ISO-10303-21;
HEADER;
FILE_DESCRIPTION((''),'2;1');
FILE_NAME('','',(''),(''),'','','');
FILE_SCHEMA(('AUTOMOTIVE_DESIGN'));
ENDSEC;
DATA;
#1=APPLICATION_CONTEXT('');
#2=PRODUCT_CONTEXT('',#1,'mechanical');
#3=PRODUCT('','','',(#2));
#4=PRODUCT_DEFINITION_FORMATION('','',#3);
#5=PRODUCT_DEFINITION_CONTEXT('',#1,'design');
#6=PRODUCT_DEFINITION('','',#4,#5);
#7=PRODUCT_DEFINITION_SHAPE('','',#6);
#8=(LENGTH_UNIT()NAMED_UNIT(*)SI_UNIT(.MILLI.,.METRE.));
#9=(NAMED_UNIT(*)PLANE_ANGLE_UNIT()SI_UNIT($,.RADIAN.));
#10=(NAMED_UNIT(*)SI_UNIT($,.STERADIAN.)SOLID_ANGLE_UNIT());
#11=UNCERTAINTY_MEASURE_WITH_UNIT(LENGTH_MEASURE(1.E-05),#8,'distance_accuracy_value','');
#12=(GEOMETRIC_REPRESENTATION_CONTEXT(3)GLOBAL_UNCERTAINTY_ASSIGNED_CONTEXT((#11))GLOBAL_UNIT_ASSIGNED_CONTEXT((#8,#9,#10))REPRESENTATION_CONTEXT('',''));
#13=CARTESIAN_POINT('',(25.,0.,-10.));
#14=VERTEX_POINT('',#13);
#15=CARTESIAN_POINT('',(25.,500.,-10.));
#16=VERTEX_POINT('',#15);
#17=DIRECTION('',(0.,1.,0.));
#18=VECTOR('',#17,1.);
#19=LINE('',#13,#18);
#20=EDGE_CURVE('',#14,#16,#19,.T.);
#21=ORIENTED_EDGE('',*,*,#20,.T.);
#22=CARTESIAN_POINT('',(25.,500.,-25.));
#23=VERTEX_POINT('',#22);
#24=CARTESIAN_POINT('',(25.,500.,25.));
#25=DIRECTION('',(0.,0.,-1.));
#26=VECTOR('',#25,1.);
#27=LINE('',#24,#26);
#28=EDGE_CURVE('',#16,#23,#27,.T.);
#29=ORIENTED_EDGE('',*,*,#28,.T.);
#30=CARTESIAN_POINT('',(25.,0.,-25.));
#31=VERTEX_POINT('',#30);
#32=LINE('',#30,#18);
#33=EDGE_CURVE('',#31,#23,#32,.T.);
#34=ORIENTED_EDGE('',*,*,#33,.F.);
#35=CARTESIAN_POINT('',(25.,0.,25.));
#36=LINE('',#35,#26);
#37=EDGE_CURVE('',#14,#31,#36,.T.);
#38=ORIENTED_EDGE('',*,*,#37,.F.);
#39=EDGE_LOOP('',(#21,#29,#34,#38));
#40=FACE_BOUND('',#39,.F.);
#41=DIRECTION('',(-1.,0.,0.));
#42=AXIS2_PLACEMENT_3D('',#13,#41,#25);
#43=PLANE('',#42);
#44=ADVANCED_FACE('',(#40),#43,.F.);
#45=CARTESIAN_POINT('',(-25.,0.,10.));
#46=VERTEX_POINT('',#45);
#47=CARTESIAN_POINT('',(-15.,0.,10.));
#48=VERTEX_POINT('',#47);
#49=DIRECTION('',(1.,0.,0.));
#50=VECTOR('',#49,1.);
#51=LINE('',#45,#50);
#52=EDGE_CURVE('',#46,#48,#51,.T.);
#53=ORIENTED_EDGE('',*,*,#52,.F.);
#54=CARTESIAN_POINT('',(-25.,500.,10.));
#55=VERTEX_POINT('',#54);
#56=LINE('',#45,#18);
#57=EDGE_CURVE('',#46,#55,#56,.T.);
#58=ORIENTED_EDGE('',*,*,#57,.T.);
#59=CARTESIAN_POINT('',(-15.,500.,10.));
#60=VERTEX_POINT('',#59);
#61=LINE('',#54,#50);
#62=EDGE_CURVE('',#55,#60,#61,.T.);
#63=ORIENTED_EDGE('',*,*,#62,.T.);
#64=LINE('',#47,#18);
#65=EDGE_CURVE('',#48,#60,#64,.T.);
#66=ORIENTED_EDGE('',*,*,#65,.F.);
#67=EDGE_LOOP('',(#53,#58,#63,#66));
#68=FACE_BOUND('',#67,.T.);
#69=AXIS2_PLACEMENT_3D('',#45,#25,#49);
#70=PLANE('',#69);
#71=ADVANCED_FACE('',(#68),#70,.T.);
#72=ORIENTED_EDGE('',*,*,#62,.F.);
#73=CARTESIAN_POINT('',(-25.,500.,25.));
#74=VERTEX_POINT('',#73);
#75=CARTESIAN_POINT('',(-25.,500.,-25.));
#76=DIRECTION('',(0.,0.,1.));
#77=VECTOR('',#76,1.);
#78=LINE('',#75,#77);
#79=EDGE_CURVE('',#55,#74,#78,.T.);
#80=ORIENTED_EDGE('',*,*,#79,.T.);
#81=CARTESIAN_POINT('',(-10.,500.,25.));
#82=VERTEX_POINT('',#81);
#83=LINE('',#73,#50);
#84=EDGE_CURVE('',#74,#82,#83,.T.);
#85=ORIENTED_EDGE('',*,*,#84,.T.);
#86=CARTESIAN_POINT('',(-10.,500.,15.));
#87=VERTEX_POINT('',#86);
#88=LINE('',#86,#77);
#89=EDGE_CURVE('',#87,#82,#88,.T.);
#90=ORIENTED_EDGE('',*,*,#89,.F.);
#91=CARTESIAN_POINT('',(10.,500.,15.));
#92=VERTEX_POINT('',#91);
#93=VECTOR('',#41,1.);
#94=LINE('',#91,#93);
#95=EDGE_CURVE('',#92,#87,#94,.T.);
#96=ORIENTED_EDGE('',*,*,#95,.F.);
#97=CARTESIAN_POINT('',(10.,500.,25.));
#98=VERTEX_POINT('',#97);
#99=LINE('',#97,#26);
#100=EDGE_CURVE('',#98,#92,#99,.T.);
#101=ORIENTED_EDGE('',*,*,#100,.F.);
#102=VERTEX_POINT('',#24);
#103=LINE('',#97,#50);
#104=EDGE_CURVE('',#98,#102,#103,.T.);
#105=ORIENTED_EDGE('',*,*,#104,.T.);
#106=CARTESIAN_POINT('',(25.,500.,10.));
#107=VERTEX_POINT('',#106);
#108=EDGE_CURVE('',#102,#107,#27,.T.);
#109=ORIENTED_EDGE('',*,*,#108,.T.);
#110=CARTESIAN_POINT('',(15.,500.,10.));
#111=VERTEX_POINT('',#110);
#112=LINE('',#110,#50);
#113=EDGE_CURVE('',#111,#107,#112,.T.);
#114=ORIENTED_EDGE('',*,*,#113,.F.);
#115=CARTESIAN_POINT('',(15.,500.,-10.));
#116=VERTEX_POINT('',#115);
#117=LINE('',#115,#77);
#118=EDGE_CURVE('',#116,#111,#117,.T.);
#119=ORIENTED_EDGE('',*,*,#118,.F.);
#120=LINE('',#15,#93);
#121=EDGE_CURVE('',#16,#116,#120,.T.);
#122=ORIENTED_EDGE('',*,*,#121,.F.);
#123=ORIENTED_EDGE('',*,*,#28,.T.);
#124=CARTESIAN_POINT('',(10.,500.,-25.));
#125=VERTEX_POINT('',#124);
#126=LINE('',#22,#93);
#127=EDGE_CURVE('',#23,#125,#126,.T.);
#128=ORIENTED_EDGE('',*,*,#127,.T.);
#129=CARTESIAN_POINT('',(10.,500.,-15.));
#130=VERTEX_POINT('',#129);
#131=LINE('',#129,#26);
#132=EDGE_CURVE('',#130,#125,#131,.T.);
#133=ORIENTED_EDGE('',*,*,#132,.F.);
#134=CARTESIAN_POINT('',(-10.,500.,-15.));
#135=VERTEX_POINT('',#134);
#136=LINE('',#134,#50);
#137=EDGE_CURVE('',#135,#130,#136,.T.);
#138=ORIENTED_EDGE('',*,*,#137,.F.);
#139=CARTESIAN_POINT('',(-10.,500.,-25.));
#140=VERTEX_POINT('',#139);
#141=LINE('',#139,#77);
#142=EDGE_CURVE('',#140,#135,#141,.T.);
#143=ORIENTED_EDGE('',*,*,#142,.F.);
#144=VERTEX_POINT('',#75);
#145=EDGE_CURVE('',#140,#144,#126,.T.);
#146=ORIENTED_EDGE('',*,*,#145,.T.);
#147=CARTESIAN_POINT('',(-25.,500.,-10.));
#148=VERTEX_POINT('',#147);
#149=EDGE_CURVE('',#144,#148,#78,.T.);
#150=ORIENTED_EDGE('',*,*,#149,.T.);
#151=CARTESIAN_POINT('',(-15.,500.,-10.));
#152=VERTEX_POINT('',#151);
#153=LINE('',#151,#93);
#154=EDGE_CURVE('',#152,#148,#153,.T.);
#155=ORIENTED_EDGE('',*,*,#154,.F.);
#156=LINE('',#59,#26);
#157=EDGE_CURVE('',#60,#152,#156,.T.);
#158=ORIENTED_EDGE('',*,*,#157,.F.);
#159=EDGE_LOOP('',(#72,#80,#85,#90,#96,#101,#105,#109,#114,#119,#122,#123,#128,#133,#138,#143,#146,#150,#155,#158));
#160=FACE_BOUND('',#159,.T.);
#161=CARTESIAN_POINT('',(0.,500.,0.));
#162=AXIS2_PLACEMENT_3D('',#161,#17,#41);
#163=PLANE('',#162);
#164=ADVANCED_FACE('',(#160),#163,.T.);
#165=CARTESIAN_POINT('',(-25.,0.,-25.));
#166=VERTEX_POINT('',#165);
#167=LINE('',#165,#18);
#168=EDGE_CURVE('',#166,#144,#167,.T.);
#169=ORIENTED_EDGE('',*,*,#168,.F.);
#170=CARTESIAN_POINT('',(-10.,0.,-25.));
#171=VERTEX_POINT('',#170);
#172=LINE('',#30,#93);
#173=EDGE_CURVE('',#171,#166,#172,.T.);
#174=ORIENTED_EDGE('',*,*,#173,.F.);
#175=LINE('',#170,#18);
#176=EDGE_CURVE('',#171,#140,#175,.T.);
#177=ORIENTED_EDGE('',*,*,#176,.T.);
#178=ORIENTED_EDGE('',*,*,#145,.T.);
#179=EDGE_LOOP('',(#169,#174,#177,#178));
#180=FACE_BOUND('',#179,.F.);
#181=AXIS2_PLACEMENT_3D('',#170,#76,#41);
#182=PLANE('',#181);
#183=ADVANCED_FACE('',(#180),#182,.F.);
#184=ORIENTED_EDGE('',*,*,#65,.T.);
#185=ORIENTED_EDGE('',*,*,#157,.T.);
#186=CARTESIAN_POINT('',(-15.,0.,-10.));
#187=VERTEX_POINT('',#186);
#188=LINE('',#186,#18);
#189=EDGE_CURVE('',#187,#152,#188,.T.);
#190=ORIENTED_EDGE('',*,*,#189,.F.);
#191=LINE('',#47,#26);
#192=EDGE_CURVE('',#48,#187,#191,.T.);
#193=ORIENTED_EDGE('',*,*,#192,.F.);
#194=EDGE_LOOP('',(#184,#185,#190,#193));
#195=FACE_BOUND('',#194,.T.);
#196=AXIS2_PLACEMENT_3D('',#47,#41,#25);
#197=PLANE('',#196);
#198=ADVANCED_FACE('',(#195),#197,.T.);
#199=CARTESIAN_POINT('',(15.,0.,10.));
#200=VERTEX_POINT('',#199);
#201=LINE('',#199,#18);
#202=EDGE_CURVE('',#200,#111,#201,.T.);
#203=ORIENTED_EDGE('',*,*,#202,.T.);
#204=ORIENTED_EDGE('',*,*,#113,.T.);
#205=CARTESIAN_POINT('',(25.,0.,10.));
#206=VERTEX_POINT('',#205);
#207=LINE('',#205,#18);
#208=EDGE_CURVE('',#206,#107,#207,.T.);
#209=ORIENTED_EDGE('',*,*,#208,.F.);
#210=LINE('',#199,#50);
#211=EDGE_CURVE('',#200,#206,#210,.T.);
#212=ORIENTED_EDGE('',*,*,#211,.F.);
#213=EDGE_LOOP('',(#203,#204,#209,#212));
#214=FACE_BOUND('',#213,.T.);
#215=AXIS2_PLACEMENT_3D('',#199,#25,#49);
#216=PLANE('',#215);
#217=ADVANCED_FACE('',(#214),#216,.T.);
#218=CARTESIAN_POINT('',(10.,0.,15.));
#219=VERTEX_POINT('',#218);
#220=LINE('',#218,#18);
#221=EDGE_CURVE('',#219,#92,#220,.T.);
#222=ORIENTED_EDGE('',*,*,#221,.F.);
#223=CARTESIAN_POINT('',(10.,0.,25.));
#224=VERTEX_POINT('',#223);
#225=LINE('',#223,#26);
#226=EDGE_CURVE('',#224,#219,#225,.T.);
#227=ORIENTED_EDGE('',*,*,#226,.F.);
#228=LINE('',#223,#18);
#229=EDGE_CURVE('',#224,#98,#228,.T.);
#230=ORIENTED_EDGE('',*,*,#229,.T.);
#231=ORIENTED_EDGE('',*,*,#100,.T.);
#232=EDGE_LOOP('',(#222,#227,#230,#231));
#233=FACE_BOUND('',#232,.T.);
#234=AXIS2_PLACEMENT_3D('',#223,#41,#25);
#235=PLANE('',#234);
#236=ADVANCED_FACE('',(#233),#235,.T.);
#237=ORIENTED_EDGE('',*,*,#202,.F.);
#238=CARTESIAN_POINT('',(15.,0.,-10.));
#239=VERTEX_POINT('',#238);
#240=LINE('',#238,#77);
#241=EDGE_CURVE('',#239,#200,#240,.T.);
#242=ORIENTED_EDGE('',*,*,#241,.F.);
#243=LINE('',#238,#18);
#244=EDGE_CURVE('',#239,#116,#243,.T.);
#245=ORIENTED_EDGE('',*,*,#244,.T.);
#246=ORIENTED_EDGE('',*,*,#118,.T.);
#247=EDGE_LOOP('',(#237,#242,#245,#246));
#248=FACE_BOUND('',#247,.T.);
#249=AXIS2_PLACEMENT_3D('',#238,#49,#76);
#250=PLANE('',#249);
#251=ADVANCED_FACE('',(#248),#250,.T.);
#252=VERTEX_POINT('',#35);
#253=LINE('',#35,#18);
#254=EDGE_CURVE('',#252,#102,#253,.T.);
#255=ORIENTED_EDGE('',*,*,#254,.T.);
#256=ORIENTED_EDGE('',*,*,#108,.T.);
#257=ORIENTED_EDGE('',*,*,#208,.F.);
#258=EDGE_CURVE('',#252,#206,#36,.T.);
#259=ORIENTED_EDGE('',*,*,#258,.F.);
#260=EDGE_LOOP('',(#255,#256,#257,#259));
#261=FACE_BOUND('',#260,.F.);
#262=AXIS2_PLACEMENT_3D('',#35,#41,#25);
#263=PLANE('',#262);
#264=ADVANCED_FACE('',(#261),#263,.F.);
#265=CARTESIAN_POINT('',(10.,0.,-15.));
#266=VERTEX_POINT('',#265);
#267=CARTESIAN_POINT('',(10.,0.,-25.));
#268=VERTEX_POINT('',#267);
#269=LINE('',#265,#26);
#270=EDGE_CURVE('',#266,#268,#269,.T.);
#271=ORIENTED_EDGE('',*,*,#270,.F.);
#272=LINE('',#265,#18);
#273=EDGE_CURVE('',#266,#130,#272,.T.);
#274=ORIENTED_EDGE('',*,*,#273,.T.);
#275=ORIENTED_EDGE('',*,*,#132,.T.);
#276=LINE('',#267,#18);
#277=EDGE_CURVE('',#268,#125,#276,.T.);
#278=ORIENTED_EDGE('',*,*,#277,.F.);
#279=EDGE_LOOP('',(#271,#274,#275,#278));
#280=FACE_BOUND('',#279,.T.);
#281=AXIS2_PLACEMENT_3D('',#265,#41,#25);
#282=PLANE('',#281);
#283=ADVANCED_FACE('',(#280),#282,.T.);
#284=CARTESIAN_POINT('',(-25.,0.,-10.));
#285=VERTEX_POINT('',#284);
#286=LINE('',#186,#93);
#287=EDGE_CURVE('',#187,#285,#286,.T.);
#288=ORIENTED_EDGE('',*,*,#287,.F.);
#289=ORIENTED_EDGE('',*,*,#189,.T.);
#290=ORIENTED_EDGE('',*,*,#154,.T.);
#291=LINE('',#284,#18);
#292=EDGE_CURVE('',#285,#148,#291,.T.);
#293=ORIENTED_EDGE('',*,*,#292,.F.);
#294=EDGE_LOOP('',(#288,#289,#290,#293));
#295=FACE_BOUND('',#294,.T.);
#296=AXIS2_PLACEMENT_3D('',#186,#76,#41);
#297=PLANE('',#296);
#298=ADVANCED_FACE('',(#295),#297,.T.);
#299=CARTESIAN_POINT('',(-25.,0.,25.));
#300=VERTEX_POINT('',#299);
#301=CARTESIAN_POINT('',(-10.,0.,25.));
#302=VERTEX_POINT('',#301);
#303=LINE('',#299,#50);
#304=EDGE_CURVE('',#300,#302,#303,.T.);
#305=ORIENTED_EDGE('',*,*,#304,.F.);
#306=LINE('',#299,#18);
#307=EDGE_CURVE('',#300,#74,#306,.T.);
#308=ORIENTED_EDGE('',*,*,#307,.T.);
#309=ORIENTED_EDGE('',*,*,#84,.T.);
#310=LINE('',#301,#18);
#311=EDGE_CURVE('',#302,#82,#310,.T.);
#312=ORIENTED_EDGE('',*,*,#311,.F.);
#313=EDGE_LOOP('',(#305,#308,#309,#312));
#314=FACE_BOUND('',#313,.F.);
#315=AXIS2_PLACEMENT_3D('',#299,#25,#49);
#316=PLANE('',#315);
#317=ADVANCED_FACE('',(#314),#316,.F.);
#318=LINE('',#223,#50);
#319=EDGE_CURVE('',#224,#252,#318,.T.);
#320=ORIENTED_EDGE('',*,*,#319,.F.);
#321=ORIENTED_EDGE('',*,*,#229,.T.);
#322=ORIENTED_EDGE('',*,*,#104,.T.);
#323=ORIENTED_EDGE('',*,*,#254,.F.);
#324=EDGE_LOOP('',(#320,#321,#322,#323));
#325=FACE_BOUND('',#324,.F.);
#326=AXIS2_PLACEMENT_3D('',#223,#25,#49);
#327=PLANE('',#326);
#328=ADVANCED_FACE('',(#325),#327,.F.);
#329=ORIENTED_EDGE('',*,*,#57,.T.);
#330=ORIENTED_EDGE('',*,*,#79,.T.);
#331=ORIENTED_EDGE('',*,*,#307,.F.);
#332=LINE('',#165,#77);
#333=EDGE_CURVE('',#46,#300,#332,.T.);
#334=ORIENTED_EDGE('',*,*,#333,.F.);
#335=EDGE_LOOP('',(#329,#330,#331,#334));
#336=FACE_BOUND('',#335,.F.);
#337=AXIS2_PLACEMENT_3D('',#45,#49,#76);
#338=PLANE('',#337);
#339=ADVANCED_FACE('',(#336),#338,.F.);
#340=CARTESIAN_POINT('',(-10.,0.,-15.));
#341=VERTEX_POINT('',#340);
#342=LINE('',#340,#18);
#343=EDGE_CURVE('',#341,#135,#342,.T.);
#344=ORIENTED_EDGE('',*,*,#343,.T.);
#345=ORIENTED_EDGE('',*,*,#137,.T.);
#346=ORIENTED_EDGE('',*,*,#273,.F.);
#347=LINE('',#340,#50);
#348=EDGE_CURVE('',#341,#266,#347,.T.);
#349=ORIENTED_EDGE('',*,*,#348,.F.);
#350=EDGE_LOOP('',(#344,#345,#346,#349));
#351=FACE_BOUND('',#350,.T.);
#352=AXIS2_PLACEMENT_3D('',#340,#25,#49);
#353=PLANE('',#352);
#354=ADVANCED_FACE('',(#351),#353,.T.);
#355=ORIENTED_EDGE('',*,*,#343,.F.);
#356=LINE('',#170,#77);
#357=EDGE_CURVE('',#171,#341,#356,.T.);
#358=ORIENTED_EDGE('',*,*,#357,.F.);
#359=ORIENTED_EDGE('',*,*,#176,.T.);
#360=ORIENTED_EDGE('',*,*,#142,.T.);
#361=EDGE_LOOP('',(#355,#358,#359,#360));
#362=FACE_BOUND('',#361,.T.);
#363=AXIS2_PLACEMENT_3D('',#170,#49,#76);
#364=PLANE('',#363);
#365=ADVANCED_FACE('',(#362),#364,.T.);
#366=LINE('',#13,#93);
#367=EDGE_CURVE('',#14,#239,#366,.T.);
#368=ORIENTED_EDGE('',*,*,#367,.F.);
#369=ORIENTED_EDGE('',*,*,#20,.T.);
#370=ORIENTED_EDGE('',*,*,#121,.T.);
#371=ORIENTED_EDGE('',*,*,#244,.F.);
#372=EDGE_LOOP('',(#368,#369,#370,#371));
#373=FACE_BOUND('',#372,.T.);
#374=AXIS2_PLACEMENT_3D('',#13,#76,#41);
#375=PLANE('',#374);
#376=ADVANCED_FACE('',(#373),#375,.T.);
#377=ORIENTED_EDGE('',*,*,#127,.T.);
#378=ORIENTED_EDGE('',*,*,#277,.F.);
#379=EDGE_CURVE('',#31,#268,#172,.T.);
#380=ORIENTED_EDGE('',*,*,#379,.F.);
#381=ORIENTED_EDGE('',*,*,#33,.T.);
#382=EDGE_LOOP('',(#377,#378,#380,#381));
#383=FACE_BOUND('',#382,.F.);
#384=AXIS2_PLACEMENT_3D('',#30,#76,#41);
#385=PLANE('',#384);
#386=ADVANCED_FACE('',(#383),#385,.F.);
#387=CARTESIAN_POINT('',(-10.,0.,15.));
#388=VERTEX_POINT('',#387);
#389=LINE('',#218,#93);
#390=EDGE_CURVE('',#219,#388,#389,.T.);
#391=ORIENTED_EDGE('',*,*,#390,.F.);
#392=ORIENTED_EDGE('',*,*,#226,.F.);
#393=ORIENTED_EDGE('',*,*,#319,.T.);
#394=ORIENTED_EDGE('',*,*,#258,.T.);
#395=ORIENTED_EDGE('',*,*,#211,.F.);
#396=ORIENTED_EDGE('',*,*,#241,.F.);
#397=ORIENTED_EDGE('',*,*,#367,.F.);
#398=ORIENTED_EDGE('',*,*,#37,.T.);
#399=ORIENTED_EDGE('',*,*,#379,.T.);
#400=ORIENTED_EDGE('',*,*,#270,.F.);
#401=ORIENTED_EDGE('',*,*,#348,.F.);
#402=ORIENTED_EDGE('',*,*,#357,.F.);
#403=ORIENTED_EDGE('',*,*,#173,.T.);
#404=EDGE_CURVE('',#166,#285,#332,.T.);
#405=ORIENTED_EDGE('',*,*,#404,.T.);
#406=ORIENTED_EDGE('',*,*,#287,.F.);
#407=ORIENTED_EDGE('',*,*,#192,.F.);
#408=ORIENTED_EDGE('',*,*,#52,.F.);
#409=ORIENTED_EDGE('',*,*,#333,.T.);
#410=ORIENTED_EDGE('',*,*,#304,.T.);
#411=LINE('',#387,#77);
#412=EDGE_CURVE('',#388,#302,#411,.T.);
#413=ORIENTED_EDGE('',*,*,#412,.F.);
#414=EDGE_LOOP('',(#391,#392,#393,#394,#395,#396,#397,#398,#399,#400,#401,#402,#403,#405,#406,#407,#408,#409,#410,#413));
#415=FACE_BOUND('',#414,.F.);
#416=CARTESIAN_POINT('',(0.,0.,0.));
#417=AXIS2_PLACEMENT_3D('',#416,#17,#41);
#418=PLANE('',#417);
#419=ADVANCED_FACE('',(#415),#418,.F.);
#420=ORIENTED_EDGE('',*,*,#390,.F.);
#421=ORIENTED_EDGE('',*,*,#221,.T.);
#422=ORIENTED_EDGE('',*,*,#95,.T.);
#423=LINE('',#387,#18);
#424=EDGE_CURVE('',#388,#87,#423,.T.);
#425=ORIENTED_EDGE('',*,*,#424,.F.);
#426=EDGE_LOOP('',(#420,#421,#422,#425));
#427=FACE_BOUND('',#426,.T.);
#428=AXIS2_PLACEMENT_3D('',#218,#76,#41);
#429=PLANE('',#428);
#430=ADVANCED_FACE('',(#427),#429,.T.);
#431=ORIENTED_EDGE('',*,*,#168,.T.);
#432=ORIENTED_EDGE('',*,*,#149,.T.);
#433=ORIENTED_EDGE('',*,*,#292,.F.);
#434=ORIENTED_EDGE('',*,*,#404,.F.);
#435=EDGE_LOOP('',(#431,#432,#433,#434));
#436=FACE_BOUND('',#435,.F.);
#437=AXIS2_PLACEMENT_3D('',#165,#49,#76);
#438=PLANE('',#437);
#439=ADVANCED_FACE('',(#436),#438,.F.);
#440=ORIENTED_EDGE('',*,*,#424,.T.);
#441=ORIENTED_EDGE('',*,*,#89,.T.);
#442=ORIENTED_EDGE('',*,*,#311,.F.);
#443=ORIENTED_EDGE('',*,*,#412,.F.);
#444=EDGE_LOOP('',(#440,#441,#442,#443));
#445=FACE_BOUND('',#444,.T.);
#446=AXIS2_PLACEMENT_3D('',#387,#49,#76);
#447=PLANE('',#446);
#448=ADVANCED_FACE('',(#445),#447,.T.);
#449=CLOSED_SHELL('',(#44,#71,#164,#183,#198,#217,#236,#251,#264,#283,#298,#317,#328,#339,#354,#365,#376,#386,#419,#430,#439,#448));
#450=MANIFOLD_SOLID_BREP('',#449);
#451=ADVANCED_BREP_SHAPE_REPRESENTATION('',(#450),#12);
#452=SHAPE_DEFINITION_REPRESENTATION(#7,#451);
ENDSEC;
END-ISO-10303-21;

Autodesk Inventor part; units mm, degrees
ref_plane "XZ Plane" through (0, 0, 0) normal (0, 1, 0) x (-1, 0, 0)
sketch "Szkic1" plane through (0, 0, 0) normal (0, 1, 0) x (-1, 0, 0)
  line L0 (-25, -25) -> (25, -25)
  line L1 (25, -25) -> (25, 25)
  line L2 (-25, 25) -> (-25, -25)
  line L3 (-25, -25) -> (25, 25) construction
  line L4 (25, -25) -> (-25, 25) construction
  line L5 (10, 25) -> (-10, 25)
  line L6 (-10, 25) -> (-10, 15)
  line L7 (-10, 15) -> (10, 15)
  line L8 (10, 15) -> (10, 25)
  line L9 (-15, -10) -> (-15, 10)
  line L10 (-15, 10) -> (-25, 10)
  line L11 (-25, -10) -> (-15, -10)
  line L12 (10, -15) -> (-10, -15)
  line L13 (-10, -15) -> (-10, -25)
  line L14 (10, -25) -> (10, -15)
  line L15 (15, 10) -> (15, -10)
  line L16 (15, -10) -> (25, -10)
  line L17 (25, 10) -> (15, 10)
  line L18 (25, 25) -> (10, 25)
  line L19 (-10, 25) -> (-25, 25)
  point P0 (0, 0)
  dimension "d0" = 50
  dimension "d1" = 50
  dimension "d3" = 10
  dimension "d7" = 360
extrude "Wyciągnięcie proste1" add sketch "Szkic1" along normal blind 500 contours L2 L11 L9 L10 L19 L6 L7 L8 L18 L1 L17 L15 L16 L0 L14 L12 L13
properties part number "wysiegnik"
